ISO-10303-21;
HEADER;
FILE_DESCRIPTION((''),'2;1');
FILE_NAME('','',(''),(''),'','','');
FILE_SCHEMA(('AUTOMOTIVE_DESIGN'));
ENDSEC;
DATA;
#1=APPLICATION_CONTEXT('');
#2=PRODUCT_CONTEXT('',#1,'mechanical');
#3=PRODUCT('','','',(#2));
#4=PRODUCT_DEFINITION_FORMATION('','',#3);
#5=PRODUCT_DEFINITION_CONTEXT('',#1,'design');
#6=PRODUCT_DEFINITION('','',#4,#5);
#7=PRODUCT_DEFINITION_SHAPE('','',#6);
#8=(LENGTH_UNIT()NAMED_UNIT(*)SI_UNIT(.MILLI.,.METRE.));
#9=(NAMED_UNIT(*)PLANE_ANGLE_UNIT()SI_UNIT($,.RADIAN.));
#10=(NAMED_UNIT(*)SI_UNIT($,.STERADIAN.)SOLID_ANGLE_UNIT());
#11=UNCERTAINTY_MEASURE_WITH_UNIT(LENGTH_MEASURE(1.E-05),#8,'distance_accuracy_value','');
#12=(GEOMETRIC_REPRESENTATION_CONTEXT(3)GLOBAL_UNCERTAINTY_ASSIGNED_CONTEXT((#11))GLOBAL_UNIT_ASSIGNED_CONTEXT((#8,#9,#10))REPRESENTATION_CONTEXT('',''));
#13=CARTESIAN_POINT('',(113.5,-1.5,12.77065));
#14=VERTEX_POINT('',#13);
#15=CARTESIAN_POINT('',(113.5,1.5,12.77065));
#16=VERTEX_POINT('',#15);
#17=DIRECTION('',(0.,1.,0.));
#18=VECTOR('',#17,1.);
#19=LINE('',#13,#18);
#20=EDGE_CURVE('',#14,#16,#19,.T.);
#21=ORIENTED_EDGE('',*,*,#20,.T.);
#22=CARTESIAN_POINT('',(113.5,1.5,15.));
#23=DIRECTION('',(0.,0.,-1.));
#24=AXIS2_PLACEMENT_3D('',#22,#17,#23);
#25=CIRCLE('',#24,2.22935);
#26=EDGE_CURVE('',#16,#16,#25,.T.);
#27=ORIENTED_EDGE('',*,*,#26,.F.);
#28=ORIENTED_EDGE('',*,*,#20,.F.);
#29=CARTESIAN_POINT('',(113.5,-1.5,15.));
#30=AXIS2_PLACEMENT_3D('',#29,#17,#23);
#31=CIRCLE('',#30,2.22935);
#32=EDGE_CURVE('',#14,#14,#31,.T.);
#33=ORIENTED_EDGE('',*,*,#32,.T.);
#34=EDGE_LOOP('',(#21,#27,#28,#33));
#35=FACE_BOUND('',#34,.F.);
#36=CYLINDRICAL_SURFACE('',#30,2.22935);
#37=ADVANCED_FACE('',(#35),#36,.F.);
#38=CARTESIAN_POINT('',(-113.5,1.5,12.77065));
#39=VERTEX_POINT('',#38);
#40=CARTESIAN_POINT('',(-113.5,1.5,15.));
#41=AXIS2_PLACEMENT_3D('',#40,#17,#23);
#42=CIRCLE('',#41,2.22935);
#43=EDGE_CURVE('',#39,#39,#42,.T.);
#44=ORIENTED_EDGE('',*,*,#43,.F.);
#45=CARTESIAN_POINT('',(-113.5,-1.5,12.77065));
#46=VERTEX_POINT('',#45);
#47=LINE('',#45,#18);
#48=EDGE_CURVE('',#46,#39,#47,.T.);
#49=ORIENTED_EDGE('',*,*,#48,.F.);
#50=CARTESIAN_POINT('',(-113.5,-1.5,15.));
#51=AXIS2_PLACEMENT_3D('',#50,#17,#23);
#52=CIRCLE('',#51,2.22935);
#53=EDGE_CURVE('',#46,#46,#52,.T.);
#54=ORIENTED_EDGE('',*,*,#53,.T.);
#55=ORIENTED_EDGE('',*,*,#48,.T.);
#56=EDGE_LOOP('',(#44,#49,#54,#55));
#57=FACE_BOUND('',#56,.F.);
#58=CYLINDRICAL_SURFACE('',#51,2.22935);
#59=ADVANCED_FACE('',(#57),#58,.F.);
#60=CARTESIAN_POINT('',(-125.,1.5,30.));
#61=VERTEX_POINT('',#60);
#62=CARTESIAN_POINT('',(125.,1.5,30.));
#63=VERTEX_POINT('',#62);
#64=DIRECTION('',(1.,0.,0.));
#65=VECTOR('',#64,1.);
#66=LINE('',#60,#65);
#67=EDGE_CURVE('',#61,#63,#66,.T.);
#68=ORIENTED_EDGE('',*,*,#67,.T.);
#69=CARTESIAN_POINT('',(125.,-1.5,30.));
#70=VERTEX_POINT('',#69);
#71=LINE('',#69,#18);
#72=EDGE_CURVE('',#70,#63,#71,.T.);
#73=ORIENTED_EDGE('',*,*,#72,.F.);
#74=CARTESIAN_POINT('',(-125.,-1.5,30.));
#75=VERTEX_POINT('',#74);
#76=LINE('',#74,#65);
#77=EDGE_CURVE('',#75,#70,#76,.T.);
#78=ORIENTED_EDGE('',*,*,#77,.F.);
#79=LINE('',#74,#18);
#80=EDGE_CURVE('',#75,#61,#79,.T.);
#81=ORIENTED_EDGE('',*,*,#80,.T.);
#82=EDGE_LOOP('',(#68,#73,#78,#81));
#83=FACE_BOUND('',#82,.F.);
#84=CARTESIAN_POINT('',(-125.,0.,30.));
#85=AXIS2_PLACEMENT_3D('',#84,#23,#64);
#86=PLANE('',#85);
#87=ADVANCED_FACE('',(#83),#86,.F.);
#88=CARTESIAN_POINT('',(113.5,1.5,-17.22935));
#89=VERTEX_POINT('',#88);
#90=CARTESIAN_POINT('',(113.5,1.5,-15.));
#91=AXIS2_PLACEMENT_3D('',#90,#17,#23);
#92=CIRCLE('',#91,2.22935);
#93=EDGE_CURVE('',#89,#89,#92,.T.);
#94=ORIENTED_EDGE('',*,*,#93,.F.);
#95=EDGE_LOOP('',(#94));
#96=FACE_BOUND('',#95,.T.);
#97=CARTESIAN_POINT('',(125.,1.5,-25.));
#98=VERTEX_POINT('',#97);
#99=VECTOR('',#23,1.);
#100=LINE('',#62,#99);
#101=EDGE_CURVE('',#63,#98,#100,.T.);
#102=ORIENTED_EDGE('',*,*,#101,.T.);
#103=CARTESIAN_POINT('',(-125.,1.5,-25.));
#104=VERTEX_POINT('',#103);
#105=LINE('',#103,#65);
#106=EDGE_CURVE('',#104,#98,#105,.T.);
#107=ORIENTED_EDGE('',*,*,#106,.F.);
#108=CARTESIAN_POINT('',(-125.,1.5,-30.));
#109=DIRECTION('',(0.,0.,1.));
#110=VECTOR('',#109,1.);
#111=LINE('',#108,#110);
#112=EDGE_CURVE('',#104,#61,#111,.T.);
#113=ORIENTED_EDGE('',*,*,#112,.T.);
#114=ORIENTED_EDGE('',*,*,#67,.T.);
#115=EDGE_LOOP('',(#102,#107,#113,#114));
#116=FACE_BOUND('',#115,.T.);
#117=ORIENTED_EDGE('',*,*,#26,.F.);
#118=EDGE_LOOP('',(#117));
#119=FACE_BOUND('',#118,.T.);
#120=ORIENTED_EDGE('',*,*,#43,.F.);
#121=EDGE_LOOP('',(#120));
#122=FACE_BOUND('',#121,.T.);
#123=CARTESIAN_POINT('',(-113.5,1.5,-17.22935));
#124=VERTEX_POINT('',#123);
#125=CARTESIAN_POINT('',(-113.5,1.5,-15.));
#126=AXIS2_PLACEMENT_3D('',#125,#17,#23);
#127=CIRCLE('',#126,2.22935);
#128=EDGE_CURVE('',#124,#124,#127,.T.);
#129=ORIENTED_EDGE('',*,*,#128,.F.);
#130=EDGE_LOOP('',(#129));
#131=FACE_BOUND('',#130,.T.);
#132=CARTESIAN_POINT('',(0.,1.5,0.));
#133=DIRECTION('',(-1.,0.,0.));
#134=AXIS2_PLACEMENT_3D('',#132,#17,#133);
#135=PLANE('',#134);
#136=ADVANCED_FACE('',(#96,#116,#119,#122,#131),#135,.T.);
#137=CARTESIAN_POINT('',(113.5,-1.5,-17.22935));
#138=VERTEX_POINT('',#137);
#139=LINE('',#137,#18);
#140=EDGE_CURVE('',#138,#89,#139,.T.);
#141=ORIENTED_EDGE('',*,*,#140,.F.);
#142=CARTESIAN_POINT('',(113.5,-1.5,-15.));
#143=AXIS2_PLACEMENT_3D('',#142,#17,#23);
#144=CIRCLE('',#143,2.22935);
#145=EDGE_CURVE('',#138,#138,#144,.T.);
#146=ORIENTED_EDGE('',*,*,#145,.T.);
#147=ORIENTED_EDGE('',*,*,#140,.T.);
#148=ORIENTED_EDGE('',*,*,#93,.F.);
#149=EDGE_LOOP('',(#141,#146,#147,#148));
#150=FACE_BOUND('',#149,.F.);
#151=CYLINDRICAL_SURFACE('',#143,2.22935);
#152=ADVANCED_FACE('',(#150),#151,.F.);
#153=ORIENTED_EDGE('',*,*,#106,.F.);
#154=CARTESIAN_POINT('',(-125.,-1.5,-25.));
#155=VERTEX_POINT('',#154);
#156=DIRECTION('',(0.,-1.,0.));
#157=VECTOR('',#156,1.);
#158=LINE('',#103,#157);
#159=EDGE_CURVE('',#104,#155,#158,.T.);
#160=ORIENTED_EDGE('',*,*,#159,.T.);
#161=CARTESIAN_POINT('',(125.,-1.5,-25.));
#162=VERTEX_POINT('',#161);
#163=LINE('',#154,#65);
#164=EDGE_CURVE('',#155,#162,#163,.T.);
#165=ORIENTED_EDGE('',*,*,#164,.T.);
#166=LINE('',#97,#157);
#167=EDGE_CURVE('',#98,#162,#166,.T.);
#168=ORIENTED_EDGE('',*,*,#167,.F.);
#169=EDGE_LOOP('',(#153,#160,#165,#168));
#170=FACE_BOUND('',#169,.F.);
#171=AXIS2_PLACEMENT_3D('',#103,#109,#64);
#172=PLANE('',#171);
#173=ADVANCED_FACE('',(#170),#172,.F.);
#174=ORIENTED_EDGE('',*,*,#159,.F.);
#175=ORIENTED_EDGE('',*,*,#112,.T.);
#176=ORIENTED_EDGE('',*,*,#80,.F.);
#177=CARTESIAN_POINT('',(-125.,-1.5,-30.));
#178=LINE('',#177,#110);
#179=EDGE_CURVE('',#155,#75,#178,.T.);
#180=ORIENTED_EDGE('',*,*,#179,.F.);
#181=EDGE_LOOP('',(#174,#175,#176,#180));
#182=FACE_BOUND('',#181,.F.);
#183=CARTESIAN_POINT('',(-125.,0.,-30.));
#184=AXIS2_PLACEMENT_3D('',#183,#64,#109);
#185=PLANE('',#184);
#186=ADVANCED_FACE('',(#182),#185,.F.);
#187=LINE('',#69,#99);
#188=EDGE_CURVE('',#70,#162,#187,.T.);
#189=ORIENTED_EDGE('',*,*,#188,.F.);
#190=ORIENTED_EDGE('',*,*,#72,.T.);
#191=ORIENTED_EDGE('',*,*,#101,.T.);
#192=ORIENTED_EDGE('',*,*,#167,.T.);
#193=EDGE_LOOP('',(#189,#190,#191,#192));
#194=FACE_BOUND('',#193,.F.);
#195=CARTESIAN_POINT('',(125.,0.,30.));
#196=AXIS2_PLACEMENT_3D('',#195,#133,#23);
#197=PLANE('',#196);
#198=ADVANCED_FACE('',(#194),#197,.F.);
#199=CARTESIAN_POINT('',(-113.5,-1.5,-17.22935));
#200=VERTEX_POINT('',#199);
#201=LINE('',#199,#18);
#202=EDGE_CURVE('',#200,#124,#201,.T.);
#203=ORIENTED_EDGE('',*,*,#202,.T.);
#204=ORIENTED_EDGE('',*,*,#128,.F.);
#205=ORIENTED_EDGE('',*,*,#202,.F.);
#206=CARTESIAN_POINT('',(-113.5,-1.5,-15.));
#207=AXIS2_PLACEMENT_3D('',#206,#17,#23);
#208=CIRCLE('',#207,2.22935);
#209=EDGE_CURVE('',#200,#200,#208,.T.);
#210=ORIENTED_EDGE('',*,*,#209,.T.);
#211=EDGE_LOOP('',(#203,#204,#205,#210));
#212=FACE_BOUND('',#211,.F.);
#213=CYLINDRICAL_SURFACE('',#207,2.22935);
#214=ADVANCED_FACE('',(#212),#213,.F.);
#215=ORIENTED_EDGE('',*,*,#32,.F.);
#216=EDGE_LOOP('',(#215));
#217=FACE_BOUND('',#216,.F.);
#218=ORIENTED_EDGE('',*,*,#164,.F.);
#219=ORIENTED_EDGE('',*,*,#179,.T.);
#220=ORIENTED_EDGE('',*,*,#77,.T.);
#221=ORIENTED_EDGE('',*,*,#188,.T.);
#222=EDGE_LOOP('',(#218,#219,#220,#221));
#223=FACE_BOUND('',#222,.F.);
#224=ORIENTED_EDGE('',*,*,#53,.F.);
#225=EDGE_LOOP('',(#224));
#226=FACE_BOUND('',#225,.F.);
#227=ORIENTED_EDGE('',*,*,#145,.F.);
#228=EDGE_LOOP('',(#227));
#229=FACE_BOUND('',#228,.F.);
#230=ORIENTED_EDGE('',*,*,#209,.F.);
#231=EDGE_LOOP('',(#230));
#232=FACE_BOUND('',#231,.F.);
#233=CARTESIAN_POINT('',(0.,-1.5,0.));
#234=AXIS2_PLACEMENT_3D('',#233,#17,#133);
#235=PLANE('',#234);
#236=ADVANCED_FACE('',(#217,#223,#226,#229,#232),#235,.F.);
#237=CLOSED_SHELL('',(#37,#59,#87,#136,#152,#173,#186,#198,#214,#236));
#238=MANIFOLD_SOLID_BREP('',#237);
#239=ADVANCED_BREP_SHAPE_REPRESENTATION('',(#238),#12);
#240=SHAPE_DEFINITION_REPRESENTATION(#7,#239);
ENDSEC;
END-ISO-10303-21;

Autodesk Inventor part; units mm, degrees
ref_plane "YZ Plane" through (0, 0, 0) normal (1, 0, 0) x (0, 1, 0)
ref_plane "XZ Plane" through (0, 0, 0) normal (0, 1, 0) x (-1, 0, 0)
ref_plane "XY Plane" through (0, 0, 0) normal (0, 0, 1) x (1, 0, 0)
sketch "Sketch1" plane through (0, 0, 0) normal (0, 1, 0) x (-1, 0, 0)
  line L0 (125, 30) -> (-125, 30)
  line L1 (-125, 30) -> (-125, -30)
  line L2 (-125, -30) -> (125, -30)
  line L3 (125, -30) -> (125, 30)
  line L4 (125, 30) -> (-125, -30) construction
  line L5 (-125, 30) -> (125, -30) construction
  point P0 (0, 0)
  dimension "d0" = 250
  dimension "d1" = 60
extrude "Extrusion1" add sketch "Sketch1" along normal mid plane 3
sketch "Sketch2" plane through (0, -1.5, 0) normal (0, -1, 0) x (1, 0, 0)
  line L0 (125, -30) -> (125, 30) projected
  line L1 (125, 30) -> (-125, 30) projected
  line L2 (-125, 30) -> (-125, -30) projected
  point P0 (0, 0)
  point P1 (113.5, 15)
  point P2 (113.5, -15)
  point P3 (-113.5, 15)
  point P4 (-113.5, -15)
  dimension "d9" = 11.5
  dimension "d10" = 15
  dimension "d11" = 30
  dimension "d12" = 11.5
hole "Hole1" at (113.5, -1.5, 15) at (113.5, -1.5, -15) at (-113.5, -1.5, 15) at (-113.5, -1.5, -15) direction (0, 1, 0) diameter 4.4587 depth 12.8 tip angle 118 thread size "M5x0.5" class "6H" standard "ISO Metric profile"
sketch "Sketch3" plane through (0, 1.5, 0) normal (0, 1, 0) x (1, 0, 0)
  line L0 (125, -23.3203) -> (125, -25.9184) projected
  line L1 (125, 30) -> (-125, 30) projected
  line L2 (-125, 30) -> (-125, -30) projected
  line L3 (125, 30) -> (-125, 30)
  line L4 (-125, 30) -> (-125, 25)
  line L5 (-125, 25) -> (125, 25)
  line L6 (125, 25) -> (125, 30)
  point P0 (0, 0)
  point P1 (125, 28.5858)
  dimension "d20" = 5
extrude "Extrusion2" cut sketch "Sketch3" against normal blind 3
properties part number "2309HCMUTE-CDT23_TAM-GA" material "PMMA Plastic"
